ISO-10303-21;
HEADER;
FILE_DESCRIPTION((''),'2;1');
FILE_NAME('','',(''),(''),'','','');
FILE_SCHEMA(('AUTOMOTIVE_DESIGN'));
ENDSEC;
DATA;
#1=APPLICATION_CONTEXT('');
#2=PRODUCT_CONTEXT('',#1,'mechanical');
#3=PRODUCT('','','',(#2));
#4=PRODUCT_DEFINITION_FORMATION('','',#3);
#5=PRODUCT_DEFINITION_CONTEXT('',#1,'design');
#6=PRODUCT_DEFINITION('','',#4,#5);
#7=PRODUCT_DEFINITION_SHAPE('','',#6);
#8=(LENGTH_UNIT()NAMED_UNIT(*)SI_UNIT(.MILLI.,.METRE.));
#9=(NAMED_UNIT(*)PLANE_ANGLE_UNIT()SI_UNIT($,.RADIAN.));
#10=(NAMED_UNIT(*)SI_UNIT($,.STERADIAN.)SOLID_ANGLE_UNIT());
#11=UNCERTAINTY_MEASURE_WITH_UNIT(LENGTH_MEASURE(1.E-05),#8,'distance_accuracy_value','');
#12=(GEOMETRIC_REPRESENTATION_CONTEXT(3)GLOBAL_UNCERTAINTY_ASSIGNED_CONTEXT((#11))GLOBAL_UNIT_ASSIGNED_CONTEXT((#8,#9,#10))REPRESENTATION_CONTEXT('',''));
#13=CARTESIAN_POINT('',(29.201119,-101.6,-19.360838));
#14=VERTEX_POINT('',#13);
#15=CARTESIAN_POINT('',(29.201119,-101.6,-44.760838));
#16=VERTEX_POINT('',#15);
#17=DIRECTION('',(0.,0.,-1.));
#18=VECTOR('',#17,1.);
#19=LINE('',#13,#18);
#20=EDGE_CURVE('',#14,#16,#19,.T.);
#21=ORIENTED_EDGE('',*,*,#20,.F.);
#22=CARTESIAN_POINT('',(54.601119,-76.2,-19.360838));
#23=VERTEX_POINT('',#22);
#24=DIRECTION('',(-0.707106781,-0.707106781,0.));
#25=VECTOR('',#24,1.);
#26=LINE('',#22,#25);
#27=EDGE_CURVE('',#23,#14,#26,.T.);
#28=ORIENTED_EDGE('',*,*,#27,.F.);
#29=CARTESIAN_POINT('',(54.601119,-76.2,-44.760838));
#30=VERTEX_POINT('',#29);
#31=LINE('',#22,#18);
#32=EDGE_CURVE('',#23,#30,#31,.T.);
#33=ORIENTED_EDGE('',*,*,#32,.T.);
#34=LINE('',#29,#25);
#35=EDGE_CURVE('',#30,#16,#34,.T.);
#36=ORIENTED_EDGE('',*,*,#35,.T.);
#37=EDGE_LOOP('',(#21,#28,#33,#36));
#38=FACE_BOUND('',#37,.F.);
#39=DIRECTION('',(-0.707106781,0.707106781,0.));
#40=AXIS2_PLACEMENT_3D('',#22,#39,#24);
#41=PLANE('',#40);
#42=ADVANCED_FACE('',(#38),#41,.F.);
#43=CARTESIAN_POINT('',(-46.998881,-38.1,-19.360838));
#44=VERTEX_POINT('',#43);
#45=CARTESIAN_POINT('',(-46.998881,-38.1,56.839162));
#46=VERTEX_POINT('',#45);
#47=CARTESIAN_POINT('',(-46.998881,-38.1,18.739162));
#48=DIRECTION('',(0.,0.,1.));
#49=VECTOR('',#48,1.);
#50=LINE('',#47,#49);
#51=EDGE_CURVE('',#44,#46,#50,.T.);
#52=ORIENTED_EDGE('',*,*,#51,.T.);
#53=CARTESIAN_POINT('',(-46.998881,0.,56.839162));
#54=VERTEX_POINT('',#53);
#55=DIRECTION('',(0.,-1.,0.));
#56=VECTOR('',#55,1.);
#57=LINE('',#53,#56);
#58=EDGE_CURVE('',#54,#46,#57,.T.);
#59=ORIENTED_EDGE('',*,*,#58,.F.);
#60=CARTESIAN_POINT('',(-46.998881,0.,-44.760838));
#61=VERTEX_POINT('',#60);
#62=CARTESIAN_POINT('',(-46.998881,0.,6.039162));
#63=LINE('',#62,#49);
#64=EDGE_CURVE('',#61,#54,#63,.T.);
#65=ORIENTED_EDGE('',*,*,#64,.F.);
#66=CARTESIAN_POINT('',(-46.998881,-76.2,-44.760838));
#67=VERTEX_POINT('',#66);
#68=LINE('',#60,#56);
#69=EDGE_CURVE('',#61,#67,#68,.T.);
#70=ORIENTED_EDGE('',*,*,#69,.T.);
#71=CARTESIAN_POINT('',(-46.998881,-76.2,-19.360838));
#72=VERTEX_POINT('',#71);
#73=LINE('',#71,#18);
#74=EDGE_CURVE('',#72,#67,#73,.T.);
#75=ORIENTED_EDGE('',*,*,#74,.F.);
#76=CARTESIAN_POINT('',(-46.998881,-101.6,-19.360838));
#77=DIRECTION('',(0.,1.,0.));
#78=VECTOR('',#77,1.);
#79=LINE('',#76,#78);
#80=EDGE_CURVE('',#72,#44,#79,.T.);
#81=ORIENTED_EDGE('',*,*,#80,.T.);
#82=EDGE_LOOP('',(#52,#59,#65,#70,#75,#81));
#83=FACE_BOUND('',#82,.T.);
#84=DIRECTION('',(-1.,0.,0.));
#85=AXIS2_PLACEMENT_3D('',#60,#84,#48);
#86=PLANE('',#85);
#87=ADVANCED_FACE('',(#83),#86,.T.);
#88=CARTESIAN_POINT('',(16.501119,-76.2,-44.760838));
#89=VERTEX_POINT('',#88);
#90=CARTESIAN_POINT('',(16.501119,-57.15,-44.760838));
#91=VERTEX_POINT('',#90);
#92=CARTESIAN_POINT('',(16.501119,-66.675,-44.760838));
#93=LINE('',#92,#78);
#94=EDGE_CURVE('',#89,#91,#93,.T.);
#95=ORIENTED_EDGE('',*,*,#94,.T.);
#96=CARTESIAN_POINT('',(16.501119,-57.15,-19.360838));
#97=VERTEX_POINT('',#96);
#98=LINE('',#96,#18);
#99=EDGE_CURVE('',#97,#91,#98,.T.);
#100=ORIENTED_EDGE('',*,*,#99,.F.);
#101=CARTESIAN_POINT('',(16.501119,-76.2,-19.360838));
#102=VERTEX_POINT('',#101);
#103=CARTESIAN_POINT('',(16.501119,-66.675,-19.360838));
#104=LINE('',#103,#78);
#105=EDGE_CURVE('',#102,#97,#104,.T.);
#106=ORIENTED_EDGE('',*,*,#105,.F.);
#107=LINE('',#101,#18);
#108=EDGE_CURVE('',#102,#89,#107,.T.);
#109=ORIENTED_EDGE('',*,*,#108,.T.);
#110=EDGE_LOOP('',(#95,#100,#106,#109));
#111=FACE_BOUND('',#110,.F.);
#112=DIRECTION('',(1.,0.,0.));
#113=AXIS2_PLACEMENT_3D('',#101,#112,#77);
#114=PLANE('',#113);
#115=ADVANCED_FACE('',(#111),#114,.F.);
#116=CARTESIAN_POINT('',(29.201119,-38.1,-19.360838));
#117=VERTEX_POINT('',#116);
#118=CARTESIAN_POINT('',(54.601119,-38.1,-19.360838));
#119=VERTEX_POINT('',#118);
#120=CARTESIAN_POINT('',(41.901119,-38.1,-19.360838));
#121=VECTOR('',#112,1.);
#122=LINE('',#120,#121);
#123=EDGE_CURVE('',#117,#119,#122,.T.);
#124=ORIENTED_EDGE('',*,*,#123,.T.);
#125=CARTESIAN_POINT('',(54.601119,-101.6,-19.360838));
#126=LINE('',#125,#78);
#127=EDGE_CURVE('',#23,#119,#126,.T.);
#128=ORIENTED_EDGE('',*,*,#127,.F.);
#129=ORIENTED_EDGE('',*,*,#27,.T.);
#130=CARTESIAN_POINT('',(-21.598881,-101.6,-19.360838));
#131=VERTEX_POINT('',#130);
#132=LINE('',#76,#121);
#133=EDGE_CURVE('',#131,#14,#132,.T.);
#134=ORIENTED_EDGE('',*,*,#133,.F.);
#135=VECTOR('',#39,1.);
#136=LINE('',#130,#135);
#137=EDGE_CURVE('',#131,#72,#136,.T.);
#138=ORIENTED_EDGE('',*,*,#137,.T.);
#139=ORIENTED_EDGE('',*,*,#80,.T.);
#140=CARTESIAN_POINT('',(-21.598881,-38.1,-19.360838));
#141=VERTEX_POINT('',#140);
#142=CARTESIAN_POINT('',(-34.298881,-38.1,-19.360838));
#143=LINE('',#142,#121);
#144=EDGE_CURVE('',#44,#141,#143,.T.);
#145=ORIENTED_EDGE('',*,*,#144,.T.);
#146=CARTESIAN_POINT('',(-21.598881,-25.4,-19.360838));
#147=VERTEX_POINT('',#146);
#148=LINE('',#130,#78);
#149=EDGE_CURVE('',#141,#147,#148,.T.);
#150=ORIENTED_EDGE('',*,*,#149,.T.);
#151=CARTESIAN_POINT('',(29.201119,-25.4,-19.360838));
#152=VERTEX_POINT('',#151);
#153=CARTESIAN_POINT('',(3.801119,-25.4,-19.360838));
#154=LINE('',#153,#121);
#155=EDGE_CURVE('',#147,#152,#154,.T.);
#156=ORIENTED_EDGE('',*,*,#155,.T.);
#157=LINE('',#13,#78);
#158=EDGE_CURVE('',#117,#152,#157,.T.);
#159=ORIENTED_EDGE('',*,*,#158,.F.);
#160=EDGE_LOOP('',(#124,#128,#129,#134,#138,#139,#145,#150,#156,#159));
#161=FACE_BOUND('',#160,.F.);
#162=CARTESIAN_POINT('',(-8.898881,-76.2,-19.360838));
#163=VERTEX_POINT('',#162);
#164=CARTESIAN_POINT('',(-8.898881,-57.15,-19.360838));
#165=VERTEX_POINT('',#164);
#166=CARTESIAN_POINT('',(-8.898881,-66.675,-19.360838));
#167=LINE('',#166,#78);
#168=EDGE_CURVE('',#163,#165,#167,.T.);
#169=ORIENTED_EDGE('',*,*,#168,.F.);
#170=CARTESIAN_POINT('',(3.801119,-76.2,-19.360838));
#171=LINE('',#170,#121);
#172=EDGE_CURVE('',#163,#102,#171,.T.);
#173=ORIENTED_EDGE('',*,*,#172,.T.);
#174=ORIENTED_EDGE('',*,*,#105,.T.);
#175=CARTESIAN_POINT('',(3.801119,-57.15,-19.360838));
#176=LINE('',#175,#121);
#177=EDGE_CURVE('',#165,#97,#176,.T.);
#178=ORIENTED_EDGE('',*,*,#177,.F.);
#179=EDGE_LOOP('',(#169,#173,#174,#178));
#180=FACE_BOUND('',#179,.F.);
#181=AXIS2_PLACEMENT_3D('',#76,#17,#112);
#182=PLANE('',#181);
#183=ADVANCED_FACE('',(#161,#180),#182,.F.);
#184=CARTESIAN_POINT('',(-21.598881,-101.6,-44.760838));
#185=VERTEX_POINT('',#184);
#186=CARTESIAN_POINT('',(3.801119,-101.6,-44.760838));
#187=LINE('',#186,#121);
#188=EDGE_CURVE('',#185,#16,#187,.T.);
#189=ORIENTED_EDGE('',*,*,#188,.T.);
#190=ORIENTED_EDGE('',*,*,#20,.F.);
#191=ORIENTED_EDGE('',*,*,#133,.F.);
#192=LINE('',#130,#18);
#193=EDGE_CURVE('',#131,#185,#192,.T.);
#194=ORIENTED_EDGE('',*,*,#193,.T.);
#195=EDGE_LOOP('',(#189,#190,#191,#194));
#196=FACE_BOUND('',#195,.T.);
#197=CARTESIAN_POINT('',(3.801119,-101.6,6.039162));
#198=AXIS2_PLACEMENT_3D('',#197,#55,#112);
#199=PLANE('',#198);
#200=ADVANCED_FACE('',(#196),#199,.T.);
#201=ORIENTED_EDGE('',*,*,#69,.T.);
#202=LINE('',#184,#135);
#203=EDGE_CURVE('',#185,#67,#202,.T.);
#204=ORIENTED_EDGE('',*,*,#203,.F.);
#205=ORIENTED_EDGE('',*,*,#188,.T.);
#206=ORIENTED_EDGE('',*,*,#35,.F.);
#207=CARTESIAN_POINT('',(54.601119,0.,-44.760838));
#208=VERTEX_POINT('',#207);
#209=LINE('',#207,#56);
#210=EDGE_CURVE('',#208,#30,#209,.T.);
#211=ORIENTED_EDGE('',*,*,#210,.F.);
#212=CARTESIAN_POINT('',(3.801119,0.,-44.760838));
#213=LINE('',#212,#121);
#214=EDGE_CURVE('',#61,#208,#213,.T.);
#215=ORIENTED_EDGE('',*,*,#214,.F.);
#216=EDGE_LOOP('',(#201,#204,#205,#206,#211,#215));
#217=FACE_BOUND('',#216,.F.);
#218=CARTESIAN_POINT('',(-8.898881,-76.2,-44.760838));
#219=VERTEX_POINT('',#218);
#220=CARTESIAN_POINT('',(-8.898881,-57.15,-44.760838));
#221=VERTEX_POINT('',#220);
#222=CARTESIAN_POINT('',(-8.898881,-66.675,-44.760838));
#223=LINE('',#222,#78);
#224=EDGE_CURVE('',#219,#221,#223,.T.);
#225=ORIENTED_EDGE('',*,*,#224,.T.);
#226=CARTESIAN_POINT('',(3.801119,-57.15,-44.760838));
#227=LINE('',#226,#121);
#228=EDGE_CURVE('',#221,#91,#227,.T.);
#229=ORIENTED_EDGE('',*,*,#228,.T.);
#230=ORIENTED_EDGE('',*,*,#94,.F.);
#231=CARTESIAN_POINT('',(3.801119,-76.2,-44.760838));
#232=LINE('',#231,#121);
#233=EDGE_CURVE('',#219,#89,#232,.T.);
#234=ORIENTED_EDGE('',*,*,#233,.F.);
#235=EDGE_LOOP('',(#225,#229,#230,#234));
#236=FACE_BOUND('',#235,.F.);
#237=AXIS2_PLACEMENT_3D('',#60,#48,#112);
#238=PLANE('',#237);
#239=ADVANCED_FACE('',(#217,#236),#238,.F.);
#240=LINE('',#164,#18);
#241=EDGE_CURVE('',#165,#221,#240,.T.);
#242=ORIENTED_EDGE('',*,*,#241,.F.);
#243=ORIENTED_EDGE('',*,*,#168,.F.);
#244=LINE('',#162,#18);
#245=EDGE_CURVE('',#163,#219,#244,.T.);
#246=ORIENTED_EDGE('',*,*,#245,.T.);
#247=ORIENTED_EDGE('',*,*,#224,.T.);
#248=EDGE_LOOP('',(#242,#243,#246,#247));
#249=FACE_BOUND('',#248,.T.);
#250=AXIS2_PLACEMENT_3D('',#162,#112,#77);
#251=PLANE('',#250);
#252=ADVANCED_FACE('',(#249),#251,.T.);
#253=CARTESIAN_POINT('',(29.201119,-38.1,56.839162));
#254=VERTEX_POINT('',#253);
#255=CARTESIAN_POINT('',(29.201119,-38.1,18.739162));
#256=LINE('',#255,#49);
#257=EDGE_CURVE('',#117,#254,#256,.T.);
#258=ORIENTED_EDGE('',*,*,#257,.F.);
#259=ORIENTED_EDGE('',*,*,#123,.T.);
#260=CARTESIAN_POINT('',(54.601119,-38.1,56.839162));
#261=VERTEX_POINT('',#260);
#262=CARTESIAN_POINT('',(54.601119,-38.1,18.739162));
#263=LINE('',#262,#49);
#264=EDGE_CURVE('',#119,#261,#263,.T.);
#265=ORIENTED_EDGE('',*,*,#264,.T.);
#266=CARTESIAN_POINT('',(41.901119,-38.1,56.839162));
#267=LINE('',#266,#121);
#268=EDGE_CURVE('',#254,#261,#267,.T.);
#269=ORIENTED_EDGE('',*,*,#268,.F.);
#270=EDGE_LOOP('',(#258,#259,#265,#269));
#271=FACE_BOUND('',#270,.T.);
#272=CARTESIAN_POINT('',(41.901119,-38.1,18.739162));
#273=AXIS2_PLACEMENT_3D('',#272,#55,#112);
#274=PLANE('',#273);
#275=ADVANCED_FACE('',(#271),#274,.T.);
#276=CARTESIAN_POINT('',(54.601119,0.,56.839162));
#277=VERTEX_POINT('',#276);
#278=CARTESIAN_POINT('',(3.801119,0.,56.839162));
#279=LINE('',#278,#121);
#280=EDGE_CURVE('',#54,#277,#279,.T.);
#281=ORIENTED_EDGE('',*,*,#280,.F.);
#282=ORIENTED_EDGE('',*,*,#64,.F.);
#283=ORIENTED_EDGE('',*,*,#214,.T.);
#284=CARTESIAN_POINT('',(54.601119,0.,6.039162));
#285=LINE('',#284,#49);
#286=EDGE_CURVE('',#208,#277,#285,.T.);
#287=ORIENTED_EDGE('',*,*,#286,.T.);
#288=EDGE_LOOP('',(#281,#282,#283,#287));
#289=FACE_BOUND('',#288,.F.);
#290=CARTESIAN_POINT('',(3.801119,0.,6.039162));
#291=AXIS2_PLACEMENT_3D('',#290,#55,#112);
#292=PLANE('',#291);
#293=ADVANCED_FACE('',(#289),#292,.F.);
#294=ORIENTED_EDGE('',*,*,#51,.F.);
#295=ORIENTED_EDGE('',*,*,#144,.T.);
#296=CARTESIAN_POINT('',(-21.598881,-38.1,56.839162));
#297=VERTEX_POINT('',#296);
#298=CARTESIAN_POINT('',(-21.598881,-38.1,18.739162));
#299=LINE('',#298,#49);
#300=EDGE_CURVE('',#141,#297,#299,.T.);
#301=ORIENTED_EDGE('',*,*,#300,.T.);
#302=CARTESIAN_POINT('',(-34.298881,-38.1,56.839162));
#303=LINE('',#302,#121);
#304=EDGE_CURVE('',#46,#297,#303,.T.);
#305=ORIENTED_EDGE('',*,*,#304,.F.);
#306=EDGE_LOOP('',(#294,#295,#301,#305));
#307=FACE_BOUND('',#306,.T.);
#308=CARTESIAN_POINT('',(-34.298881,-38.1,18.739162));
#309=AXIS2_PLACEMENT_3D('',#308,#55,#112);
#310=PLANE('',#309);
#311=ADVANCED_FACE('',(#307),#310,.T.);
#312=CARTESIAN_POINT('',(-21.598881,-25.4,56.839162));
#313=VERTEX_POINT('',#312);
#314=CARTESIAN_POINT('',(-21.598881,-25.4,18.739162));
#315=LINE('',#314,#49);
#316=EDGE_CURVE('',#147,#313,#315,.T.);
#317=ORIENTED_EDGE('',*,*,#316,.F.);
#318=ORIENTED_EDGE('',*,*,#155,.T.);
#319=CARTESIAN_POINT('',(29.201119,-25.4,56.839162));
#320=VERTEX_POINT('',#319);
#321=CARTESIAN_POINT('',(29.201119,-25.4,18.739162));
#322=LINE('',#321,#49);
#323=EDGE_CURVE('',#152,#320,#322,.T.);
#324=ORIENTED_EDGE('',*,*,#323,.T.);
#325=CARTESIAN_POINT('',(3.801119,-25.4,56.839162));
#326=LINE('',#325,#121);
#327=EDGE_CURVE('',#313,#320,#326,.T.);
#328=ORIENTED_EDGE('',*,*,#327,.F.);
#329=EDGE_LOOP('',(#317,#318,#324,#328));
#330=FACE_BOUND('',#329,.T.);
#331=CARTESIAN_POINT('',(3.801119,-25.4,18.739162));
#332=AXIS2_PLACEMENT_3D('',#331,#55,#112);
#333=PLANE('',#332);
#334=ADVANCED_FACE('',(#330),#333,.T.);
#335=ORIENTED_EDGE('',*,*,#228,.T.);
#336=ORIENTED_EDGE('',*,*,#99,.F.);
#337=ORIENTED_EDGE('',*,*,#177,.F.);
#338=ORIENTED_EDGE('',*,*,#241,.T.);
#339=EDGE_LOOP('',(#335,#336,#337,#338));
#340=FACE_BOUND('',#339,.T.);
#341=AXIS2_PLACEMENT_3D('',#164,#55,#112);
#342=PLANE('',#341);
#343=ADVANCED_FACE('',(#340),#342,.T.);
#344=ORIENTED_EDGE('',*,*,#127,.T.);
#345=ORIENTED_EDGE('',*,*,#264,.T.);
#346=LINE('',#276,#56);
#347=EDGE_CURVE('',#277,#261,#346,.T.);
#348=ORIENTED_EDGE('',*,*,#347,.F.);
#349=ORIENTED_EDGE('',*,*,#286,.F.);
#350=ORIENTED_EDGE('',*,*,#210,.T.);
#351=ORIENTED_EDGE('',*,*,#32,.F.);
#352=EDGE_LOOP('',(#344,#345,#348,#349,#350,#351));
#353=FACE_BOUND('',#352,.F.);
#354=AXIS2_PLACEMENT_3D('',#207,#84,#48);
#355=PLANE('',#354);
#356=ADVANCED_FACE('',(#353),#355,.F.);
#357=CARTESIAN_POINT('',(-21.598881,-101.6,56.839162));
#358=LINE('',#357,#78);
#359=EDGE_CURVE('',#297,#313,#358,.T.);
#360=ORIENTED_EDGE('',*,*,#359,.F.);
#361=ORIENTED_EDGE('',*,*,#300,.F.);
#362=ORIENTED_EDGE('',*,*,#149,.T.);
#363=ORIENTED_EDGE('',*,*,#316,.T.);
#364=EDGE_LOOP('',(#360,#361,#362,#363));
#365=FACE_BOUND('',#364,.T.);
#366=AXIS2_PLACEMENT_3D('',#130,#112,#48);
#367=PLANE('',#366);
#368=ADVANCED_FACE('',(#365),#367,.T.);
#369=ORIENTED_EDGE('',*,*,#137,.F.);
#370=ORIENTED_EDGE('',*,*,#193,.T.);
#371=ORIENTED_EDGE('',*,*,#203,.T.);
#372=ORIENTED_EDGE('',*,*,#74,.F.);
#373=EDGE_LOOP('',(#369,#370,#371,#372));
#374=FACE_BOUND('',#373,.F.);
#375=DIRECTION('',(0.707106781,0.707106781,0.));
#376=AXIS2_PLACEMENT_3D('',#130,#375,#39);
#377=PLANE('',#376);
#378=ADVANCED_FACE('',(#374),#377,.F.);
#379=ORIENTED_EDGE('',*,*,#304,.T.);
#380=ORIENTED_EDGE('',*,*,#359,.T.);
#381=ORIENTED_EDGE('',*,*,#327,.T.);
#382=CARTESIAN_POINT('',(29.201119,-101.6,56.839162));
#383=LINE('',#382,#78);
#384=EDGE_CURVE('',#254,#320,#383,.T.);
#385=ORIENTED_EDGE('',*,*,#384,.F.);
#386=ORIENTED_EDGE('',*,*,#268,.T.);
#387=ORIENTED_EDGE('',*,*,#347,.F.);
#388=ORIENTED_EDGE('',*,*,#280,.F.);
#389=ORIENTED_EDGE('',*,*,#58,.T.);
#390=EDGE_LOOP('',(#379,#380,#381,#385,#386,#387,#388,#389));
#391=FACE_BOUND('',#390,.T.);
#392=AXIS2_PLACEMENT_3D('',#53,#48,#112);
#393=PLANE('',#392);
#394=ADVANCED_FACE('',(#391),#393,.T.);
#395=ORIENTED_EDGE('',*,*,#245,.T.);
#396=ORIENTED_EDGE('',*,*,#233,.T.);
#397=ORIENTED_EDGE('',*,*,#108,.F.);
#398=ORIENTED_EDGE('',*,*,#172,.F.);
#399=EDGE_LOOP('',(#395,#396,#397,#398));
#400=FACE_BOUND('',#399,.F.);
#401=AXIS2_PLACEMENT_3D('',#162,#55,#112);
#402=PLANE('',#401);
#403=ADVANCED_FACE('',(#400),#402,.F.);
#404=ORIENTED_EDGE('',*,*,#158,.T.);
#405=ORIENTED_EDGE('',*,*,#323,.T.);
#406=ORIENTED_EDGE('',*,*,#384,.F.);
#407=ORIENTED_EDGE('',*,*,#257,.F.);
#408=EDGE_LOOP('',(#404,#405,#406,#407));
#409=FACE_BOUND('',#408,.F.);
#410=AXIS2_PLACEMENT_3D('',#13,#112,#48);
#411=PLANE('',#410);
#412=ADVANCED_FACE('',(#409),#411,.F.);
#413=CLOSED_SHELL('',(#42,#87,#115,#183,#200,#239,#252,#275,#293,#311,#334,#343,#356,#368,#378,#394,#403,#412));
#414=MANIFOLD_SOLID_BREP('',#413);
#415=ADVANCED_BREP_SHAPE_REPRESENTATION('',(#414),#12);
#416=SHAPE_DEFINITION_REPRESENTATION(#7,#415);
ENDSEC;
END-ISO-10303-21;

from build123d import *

# Parameters (mm, degrees)
F0_W      = 101.6
F0_H      = 101.6
F1_DEPTH  = 101.6
F2_W      = 50.8
F2_H      = 76.2
F3_DEPTH  = 76.2
F4_W      = 25.4
F4_H      = 76.2
F5_DEPTH  = 63.5
F7_DEPTH  = 25.4
F9_DEPTH  = 25.4
F10_W     = 25.4
F10_H     = 19.05
F11_DEPTH = 25.4


with BuildPart() as f1:
    # F0 (on Front) → F1 (new body)
    with BuildSketch(Plane.XZ):
        with Locations((3.801119, 6.039162)):
            Rectangle(F0_W, F0_H)
    extrude(amount=F1_DEPTH)

    # F2 (on face) → F3 (cut)
    with BuildSketch(Plane.XZ.offset(101.6)):
        with Locations((3.801119, 18.739162)):
            Rectangle(F2_W, F2_H)
    extrude(amount=-F3_DEPTH, mode=Mode.SUBTRACT)

    # F4 (on face) → F5 (cut)
    with BuildSketch(Plane.XZ.offset(101.6)):
        with Locations((41.901119, 18.739162)):
            Rectangle(F4_W, F4_H)
        with Locations((-34.298881, 18.739162)):
            Rectangle(F4_W, F4_H)
    extrude(amount=-F5_DEPTH, mode=Mode.SUBTRACT)

    # F6 (on face) → F7 (cut)
    with BuildSketch(Plane.XY.offset(-19.360838)):
        Polygon((29.201119, -101.6), (54.601119, -101.6), (54.601119, -76.2), align=None)
    extrude(amount=-F7_DEPTH, mode=Mode.SUBTRACT)

    # F8 (on face) → F9 (cut)
    with BuildSketch(Plane.XY.offset(-19.360838)):
        Polygon((-46.998881, -76.2), (-46.998881, -101.6), (-21.598881, -101.6), align=None)
    extrude(amount=-F9_DEPTH, mode=Mode.SUBTRACT)

    # F10 (on face) → F11 (cut)
    with BuildSketch(Plane.XY.offset(-19.360838)):
        with Locations((3.801119, -66.675)):
            Rectangle(F10_W, F10_H)
    extrude(amount=-F11_DEPTH, mode=Mode.SUBTRACT)


solid = f1.part
